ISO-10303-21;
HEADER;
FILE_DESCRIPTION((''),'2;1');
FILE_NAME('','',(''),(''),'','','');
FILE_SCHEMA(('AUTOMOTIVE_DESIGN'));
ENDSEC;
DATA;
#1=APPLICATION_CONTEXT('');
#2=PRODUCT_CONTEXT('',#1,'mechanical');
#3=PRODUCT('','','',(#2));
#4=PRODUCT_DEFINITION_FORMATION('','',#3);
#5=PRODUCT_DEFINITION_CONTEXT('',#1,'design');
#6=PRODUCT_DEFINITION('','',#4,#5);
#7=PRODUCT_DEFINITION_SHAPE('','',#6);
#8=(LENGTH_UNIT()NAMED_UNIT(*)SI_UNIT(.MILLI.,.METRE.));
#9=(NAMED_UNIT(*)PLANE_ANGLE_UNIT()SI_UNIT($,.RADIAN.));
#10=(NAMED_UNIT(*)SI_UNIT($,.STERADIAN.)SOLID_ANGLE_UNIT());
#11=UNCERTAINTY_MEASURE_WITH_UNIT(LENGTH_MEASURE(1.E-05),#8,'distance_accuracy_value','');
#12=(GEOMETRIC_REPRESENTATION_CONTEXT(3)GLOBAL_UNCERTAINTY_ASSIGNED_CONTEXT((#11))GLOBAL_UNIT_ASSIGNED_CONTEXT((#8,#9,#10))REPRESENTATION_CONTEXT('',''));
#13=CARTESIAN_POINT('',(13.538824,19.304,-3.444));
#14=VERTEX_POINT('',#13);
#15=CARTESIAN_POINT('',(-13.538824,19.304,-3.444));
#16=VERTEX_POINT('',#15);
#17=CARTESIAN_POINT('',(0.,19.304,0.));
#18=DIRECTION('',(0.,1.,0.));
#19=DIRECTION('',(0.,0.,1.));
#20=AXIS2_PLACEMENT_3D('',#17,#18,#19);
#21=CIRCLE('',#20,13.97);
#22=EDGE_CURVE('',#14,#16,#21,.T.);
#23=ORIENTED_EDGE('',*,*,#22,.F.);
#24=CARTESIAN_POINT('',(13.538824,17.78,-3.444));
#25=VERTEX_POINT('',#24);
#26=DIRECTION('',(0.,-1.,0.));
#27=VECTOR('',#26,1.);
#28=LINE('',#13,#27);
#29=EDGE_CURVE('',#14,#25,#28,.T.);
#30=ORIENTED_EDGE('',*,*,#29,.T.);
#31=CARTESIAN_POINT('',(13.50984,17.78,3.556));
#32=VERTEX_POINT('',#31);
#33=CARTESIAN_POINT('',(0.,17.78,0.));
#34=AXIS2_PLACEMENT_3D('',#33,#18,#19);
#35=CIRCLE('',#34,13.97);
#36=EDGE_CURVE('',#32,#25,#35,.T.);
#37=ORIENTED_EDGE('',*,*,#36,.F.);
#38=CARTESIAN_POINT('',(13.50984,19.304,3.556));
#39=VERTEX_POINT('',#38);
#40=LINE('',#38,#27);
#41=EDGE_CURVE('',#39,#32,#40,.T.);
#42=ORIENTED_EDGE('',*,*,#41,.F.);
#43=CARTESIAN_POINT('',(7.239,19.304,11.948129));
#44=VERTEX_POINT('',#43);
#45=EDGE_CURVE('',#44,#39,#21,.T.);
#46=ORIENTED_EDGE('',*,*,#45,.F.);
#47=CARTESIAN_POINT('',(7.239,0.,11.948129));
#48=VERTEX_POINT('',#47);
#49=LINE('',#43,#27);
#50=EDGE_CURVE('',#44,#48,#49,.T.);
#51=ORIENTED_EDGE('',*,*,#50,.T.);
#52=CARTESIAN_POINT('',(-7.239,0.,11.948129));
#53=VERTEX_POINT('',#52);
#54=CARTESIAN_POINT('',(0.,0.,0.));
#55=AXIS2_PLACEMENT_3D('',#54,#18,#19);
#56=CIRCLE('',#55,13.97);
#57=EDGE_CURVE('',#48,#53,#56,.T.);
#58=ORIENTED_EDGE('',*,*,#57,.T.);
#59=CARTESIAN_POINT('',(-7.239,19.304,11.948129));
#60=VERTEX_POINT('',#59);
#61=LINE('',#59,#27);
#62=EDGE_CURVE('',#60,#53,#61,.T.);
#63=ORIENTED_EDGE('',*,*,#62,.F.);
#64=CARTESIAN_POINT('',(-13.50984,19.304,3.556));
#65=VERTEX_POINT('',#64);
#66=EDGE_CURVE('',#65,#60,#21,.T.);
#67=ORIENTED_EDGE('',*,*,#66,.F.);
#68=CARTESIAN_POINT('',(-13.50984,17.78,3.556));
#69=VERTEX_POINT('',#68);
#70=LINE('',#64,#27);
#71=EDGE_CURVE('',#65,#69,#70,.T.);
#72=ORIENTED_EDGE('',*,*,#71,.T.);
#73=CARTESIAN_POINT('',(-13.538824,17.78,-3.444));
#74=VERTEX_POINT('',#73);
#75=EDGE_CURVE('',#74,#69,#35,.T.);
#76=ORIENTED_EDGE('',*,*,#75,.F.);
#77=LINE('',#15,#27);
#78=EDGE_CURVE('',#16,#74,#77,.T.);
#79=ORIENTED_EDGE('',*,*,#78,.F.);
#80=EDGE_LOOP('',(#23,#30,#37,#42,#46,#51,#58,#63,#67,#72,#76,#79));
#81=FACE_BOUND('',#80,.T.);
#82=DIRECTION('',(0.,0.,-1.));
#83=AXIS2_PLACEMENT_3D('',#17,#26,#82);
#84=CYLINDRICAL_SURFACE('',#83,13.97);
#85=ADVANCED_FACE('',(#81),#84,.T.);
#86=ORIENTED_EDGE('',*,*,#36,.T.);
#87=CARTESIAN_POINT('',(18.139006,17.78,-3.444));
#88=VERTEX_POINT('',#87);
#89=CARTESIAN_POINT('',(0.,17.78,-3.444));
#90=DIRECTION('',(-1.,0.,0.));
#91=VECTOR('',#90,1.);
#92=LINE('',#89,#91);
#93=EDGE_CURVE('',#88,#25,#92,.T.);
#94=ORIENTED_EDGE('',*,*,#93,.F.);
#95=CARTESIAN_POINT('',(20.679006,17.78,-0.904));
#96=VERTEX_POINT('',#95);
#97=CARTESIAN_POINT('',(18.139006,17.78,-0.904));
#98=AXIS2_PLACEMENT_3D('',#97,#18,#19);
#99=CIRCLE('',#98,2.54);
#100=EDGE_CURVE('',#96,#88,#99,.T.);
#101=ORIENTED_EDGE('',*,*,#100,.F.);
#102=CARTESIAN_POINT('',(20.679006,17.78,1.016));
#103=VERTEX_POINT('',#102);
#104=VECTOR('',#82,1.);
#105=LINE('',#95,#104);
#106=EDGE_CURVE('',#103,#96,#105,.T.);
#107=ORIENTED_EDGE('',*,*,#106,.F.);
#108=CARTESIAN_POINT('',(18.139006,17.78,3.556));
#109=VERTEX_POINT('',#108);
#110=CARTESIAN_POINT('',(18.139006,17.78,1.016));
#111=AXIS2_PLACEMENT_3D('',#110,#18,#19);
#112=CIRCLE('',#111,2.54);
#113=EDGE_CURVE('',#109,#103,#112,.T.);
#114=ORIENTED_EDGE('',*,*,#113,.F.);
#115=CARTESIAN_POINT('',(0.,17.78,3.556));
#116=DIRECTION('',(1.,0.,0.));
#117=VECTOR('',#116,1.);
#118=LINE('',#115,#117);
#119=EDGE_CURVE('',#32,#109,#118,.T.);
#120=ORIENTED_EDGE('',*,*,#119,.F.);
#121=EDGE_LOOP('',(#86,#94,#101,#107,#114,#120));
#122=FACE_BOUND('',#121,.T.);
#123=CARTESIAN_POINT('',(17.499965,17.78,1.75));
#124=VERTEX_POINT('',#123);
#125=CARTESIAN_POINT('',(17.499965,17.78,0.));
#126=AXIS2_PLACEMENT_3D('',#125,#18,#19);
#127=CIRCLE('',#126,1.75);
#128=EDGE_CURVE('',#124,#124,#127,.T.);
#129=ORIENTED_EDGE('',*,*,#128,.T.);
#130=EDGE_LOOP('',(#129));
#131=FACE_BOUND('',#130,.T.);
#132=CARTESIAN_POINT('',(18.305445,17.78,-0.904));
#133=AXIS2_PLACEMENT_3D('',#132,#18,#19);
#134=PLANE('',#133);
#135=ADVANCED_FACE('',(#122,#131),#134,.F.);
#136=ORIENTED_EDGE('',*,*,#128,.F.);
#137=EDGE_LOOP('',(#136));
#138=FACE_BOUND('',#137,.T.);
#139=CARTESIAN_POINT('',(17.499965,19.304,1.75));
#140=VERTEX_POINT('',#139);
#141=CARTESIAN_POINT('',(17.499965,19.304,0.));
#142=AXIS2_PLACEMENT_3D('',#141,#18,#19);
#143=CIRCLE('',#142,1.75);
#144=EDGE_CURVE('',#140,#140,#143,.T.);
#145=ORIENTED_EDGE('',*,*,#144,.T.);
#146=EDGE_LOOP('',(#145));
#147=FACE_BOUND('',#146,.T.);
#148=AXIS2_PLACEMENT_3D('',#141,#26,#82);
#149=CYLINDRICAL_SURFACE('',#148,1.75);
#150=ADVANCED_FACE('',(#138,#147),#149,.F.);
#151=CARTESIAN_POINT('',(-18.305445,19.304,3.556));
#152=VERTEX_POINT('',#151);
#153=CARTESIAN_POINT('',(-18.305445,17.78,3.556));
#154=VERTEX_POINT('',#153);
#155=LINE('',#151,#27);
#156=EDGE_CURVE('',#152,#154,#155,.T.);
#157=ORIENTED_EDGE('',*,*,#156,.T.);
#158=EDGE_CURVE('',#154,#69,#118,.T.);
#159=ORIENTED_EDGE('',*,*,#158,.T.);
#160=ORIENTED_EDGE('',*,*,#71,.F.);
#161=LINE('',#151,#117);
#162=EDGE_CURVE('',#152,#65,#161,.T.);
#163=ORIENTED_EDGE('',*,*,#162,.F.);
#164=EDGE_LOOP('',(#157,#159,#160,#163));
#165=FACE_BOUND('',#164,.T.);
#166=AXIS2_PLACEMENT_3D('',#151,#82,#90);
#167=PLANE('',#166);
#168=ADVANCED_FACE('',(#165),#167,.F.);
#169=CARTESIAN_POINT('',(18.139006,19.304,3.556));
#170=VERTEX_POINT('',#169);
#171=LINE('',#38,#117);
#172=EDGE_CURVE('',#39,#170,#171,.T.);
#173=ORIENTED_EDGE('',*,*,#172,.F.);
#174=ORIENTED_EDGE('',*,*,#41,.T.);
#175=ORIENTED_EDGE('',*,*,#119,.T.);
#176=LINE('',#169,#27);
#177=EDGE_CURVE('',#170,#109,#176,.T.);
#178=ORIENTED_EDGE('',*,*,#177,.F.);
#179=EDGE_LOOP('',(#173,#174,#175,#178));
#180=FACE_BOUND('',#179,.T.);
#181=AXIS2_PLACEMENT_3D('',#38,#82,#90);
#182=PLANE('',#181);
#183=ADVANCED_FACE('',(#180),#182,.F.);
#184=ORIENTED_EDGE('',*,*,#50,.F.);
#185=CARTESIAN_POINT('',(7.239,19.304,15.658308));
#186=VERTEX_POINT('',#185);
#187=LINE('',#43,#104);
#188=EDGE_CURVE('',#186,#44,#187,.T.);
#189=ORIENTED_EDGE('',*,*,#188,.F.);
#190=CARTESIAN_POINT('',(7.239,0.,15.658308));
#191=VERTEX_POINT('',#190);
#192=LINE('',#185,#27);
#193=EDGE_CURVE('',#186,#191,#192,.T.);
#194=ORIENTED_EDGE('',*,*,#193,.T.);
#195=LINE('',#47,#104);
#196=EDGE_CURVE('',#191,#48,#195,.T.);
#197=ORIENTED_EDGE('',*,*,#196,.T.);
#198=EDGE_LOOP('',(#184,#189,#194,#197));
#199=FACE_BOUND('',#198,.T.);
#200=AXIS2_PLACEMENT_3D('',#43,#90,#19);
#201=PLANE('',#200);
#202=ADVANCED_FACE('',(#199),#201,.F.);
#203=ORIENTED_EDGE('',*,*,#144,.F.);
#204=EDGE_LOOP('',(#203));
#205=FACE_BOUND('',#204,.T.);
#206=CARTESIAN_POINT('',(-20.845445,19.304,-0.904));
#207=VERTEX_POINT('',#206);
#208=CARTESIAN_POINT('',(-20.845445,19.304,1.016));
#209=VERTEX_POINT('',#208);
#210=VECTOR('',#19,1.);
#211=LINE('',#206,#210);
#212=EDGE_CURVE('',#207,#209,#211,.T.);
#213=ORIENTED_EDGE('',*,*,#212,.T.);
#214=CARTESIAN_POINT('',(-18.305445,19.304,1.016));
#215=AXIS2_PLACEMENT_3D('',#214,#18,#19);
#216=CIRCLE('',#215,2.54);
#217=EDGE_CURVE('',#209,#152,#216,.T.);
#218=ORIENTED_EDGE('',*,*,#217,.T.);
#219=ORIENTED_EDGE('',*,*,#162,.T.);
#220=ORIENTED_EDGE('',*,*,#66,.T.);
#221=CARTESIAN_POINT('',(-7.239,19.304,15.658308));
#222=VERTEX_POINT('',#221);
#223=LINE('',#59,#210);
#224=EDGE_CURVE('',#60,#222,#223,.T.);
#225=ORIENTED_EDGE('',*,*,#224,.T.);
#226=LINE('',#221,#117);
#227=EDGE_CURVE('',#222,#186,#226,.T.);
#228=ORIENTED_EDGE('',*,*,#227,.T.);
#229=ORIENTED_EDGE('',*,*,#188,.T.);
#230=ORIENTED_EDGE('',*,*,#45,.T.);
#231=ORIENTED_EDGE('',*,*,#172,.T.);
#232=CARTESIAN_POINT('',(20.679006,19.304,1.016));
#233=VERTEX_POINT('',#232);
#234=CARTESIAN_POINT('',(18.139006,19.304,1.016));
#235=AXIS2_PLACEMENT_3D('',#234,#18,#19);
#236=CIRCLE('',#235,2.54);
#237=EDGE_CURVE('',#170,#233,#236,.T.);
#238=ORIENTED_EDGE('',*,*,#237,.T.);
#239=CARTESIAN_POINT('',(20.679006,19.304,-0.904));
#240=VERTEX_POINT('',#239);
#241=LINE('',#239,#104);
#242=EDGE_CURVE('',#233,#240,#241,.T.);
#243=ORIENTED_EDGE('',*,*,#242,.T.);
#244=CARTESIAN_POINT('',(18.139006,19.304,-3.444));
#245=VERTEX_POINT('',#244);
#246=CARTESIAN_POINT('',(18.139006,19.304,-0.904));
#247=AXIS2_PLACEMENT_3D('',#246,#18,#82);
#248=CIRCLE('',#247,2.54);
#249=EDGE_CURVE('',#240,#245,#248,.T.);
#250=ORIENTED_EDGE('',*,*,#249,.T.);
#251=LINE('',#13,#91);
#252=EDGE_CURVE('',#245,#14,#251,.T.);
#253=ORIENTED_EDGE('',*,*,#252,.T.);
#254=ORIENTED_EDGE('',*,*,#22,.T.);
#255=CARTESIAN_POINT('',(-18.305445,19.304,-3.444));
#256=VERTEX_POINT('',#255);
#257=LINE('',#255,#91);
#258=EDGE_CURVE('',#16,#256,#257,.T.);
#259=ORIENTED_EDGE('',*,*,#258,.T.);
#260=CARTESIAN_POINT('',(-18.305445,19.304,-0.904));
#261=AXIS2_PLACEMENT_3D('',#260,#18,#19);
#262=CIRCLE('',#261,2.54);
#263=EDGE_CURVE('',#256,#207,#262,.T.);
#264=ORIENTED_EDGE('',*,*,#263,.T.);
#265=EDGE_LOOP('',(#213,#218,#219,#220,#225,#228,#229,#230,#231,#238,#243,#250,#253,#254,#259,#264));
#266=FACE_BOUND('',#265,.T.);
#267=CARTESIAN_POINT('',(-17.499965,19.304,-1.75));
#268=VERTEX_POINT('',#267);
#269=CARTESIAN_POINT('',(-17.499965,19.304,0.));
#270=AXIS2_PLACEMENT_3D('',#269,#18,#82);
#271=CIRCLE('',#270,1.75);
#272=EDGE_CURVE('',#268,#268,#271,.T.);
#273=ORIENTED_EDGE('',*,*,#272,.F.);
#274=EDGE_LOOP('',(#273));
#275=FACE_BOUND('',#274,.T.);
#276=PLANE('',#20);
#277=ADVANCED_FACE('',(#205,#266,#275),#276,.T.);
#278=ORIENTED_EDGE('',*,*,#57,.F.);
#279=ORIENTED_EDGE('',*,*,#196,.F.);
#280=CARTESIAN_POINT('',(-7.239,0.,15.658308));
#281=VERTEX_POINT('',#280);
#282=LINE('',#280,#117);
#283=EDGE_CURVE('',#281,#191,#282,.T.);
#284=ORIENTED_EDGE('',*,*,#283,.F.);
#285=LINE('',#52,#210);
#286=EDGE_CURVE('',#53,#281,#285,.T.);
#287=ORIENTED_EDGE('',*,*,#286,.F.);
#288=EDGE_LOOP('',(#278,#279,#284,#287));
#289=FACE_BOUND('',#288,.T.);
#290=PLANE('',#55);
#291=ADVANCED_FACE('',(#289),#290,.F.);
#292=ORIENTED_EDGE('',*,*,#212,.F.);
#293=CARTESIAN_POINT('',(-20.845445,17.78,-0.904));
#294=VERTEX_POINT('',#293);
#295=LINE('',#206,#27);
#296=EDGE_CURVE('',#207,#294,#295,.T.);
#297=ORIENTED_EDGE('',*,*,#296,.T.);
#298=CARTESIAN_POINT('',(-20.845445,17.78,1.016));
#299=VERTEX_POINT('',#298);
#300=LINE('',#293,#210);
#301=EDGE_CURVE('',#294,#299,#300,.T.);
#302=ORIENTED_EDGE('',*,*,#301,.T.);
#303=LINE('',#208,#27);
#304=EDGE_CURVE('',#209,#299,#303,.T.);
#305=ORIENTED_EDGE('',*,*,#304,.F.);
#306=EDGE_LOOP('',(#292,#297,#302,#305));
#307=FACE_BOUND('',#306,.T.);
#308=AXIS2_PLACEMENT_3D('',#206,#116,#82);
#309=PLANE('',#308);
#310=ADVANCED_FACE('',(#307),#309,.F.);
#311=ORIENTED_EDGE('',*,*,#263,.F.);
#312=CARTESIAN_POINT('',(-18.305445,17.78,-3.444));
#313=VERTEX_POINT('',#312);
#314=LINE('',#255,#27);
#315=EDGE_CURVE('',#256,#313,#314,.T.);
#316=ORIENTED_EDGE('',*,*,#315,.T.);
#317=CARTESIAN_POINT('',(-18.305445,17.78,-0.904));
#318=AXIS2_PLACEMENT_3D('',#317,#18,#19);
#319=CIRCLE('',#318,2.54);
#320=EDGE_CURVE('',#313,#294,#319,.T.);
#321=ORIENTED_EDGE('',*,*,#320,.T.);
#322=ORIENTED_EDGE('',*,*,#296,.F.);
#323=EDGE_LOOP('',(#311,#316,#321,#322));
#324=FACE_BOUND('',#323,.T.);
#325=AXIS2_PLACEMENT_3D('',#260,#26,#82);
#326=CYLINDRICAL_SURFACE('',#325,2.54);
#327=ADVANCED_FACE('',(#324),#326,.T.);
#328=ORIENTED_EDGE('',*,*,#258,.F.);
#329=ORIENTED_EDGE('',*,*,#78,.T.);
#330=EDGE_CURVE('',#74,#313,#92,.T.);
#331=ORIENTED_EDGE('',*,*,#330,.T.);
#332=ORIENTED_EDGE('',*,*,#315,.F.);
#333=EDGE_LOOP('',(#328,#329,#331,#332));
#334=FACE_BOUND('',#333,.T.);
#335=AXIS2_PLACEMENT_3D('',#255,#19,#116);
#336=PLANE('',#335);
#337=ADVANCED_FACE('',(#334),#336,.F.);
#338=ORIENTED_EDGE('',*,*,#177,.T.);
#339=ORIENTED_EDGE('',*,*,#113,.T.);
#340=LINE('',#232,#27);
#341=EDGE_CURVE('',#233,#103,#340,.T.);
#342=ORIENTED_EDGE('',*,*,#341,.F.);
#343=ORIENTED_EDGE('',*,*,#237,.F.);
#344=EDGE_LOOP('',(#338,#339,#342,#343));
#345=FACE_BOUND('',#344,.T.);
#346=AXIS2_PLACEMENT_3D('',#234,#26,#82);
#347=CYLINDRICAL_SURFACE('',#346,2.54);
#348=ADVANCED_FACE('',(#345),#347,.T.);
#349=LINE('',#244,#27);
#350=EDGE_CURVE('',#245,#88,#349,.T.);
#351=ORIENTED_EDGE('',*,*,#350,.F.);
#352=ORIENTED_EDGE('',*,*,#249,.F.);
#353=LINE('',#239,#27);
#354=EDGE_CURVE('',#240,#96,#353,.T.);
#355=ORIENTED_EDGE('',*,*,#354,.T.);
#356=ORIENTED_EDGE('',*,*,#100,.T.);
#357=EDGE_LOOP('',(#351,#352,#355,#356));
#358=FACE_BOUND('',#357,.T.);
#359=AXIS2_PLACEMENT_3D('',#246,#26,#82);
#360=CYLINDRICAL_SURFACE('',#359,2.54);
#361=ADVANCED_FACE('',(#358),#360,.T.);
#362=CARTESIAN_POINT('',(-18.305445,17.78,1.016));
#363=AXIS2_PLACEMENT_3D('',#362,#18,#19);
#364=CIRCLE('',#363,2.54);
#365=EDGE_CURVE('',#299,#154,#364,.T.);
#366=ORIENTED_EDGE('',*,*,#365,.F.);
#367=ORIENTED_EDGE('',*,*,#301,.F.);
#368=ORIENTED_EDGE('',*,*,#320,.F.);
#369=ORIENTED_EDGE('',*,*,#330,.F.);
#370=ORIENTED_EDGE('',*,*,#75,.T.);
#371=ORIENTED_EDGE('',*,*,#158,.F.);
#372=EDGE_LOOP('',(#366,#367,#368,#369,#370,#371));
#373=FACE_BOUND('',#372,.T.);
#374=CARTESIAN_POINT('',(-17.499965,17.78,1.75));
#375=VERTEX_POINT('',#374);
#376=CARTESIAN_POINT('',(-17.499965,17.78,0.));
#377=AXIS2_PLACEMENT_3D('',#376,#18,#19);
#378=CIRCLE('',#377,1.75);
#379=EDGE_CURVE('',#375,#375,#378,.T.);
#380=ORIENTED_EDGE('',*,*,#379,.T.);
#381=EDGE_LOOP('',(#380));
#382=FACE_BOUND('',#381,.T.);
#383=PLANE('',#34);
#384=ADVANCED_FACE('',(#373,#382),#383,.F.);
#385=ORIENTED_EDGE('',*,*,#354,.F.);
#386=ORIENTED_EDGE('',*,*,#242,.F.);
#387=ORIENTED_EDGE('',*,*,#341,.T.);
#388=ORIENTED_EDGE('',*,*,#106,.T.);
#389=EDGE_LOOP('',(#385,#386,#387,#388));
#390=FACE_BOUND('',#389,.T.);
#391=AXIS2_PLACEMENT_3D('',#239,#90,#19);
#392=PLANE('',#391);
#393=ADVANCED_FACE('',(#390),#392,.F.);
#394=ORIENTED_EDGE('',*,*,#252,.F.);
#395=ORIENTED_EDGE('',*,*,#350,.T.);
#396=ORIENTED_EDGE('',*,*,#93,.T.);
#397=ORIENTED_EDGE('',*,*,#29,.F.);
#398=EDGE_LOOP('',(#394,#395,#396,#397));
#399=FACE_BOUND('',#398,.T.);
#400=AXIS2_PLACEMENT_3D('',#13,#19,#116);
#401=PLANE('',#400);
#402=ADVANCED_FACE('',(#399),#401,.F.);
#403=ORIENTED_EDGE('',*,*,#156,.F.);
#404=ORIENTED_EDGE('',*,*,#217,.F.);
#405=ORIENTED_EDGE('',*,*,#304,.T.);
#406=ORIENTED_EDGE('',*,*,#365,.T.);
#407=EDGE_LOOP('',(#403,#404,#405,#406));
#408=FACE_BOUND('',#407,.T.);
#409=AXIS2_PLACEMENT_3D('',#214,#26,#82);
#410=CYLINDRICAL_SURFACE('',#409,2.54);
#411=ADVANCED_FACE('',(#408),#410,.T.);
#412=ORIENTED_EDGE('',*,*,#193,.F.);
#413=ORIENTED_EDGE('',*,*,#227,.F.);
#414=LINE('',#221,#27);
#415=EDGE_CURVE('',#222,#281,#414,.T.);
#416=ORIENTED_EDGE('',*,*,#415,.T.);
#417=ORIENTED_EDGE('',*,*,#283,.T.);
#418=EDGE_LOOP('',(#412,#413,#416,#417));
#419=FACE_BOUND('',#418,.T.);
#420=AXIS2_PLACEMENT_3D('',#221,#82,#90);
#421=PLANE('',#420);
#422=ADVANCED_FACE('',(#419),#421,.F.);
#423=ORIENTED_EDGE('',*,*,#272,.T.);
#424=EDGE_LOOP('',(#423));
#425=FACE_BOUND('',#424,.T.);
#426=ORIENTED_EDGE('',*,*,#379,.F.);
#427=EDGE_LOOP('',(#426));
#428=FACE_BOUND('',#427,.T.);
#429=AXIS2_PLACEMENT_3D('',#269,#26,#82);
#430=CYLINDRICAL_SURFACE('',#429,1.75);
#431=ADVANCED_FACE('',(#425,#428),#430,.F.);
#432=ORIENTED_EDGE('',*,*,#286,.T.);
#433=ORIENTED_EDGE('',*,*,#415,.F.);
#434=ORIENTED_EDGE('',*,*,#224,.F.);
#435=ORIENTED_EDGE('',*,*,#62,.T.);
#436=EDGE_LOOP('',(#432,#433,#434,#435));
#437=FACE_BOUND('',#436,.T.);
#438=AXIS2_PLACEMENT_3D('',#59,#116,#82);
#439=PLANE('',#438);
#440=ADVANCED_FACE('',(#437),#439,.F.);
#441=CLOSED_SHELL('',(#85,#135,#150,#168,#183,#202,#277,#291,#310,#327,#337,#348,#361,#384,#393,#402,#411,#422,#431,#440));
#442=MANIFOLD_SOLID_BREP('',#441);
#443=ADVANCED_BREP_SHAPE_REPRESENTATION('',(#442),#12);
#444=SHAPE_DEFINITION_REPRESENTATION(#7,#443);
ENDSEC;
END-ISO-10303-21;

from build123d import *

# Parameters (mm, degrees)
SKETCH1_R           = 1.75
BOSS_EXTRUDE1_DEPTH = 19.304
CUT_EXTRUDE1_START  = -19.304
CUT_EXTRUDE1_DEPTH  = 17.78


with BuildPart() as part:
    # Sketch1 → Boss-Extrude1 (new body)
    with BuildSketch(Plane(origin=(0, 0, 0), x_dir=(1, 0, 0), z_dir=(0, 1, 0))):
        with BuildLine():
            Line((-7.239, -11.948128682), (-7.239, -15.65830815))
            Line((-7.239, -15.65830815), (7.239, -15.65830815))
            Line((7.239, -15.65830815), (7.239, -11.948128682))
            ThreePointArc((7.239, -11.948128682), (11.19086866, -8.362138401), (13.509839525, -3.556))
            Line((13.509839525, -3.556), (18.139005902, -3.556))
            ThreePointArc((18.139005902, -3.556), (19.935057126, -2.812051224), (20.679005902, -1.016))
            Line((20.679005902, -1.016), (20.679005902, 0.904))
            ThreePointArc((20.679005902, 0.904), (19.935057126, 2.700051224), (18.139005902, 3.444))
            Line((18.139005902, 3.444), (13.538824321, 3.444))
            ThreePointArc((13.538824321, 3.444), (0, 13.97), (-13.538824321, 3.444))
            Line((-13.538824321, 3.444), (-18.305445148, 3.444))
            ThreePointArc((-18.305445148, 3.444), (-20.101496373, 2.700051224), (-20.845445148, 0.904))
            Line((-20.845445148, 0.904), (-20.845445148, -1.016))
            ThreePointArc((-20.845445148, -1.016), (-20.101496373, -2.812051224), (-18.305445148, -3.556))
            Line((-18.305445148, -3.556), (-13.509839525, -3.556))
            ThreePointArc((-13.509839525, -3.556), (-11.19086866, -8.362138401), (-7.239, -11.948128682))
        make_face()
        with Locations((17.499965, 0)):
            Circle(SKETCH1_R, mode=Mode.SUBTRACT)
        with Locations((-17.499965, 0)):
            Circle(SKETCH1_R, mode=Mode.SUBTRACT)
    extrude(amount=BOSS_EXTRUDE1_DEPTH)

    # Sketch2 → Cut-Extrude1 (cut)
    with BuildSketch(Plane(origin=(0, 19.304, 0), x_dir=(1, 0, 0), z_dir=(0, 1, 0)).offset(CUT_EXTRUDE1_START)):
        with BuildLine():
            Line((-13.538824321, 3.444), (-18.305445148, 3.444))
            Line((-18.305445148, 3.444), (-22.379136798, 3.444))
            Line((-22.379136798, 3.444), (-22.379136798, -3.598718101))
            Line((-22.379136798, -3.598718101), (-18.305445148, -3.556))
            Line((-18.305445148, -3.556), (-13.509839525, -3.556))
            ThreePointArc((-13.509839525, -3.556), (-13.969880242, -0.057844875), (-13.538824321, 3.444))
        make_face()
        with BuildLine():
            Line((18.305445148, -3.556), (13.509839525, -3.556))
            ThreePointArc((13.509839525, -3.556), (13.969880242, -0.057844875), (13.538824321, 3.444))
            Line((13.538824321, 3.444), (18.305445148, 3.444))
            ThreePointArc((18.305445148, 3.444), (20.101496373, 2.700051224), (20.845445148, 0.904))
            Line((20.845445148, 0.904), (20.777862254, -1.598025477))
            ThreePointArc((20.777862254, -1.598025477), (19.998954522, -3.154465794), (18.305445148, -3.556))
        make_face()
    extrude(amount=CUT_EXTRUDE1_DEPTH, mode=Mode.SUBTRACT)


solid = part.part
